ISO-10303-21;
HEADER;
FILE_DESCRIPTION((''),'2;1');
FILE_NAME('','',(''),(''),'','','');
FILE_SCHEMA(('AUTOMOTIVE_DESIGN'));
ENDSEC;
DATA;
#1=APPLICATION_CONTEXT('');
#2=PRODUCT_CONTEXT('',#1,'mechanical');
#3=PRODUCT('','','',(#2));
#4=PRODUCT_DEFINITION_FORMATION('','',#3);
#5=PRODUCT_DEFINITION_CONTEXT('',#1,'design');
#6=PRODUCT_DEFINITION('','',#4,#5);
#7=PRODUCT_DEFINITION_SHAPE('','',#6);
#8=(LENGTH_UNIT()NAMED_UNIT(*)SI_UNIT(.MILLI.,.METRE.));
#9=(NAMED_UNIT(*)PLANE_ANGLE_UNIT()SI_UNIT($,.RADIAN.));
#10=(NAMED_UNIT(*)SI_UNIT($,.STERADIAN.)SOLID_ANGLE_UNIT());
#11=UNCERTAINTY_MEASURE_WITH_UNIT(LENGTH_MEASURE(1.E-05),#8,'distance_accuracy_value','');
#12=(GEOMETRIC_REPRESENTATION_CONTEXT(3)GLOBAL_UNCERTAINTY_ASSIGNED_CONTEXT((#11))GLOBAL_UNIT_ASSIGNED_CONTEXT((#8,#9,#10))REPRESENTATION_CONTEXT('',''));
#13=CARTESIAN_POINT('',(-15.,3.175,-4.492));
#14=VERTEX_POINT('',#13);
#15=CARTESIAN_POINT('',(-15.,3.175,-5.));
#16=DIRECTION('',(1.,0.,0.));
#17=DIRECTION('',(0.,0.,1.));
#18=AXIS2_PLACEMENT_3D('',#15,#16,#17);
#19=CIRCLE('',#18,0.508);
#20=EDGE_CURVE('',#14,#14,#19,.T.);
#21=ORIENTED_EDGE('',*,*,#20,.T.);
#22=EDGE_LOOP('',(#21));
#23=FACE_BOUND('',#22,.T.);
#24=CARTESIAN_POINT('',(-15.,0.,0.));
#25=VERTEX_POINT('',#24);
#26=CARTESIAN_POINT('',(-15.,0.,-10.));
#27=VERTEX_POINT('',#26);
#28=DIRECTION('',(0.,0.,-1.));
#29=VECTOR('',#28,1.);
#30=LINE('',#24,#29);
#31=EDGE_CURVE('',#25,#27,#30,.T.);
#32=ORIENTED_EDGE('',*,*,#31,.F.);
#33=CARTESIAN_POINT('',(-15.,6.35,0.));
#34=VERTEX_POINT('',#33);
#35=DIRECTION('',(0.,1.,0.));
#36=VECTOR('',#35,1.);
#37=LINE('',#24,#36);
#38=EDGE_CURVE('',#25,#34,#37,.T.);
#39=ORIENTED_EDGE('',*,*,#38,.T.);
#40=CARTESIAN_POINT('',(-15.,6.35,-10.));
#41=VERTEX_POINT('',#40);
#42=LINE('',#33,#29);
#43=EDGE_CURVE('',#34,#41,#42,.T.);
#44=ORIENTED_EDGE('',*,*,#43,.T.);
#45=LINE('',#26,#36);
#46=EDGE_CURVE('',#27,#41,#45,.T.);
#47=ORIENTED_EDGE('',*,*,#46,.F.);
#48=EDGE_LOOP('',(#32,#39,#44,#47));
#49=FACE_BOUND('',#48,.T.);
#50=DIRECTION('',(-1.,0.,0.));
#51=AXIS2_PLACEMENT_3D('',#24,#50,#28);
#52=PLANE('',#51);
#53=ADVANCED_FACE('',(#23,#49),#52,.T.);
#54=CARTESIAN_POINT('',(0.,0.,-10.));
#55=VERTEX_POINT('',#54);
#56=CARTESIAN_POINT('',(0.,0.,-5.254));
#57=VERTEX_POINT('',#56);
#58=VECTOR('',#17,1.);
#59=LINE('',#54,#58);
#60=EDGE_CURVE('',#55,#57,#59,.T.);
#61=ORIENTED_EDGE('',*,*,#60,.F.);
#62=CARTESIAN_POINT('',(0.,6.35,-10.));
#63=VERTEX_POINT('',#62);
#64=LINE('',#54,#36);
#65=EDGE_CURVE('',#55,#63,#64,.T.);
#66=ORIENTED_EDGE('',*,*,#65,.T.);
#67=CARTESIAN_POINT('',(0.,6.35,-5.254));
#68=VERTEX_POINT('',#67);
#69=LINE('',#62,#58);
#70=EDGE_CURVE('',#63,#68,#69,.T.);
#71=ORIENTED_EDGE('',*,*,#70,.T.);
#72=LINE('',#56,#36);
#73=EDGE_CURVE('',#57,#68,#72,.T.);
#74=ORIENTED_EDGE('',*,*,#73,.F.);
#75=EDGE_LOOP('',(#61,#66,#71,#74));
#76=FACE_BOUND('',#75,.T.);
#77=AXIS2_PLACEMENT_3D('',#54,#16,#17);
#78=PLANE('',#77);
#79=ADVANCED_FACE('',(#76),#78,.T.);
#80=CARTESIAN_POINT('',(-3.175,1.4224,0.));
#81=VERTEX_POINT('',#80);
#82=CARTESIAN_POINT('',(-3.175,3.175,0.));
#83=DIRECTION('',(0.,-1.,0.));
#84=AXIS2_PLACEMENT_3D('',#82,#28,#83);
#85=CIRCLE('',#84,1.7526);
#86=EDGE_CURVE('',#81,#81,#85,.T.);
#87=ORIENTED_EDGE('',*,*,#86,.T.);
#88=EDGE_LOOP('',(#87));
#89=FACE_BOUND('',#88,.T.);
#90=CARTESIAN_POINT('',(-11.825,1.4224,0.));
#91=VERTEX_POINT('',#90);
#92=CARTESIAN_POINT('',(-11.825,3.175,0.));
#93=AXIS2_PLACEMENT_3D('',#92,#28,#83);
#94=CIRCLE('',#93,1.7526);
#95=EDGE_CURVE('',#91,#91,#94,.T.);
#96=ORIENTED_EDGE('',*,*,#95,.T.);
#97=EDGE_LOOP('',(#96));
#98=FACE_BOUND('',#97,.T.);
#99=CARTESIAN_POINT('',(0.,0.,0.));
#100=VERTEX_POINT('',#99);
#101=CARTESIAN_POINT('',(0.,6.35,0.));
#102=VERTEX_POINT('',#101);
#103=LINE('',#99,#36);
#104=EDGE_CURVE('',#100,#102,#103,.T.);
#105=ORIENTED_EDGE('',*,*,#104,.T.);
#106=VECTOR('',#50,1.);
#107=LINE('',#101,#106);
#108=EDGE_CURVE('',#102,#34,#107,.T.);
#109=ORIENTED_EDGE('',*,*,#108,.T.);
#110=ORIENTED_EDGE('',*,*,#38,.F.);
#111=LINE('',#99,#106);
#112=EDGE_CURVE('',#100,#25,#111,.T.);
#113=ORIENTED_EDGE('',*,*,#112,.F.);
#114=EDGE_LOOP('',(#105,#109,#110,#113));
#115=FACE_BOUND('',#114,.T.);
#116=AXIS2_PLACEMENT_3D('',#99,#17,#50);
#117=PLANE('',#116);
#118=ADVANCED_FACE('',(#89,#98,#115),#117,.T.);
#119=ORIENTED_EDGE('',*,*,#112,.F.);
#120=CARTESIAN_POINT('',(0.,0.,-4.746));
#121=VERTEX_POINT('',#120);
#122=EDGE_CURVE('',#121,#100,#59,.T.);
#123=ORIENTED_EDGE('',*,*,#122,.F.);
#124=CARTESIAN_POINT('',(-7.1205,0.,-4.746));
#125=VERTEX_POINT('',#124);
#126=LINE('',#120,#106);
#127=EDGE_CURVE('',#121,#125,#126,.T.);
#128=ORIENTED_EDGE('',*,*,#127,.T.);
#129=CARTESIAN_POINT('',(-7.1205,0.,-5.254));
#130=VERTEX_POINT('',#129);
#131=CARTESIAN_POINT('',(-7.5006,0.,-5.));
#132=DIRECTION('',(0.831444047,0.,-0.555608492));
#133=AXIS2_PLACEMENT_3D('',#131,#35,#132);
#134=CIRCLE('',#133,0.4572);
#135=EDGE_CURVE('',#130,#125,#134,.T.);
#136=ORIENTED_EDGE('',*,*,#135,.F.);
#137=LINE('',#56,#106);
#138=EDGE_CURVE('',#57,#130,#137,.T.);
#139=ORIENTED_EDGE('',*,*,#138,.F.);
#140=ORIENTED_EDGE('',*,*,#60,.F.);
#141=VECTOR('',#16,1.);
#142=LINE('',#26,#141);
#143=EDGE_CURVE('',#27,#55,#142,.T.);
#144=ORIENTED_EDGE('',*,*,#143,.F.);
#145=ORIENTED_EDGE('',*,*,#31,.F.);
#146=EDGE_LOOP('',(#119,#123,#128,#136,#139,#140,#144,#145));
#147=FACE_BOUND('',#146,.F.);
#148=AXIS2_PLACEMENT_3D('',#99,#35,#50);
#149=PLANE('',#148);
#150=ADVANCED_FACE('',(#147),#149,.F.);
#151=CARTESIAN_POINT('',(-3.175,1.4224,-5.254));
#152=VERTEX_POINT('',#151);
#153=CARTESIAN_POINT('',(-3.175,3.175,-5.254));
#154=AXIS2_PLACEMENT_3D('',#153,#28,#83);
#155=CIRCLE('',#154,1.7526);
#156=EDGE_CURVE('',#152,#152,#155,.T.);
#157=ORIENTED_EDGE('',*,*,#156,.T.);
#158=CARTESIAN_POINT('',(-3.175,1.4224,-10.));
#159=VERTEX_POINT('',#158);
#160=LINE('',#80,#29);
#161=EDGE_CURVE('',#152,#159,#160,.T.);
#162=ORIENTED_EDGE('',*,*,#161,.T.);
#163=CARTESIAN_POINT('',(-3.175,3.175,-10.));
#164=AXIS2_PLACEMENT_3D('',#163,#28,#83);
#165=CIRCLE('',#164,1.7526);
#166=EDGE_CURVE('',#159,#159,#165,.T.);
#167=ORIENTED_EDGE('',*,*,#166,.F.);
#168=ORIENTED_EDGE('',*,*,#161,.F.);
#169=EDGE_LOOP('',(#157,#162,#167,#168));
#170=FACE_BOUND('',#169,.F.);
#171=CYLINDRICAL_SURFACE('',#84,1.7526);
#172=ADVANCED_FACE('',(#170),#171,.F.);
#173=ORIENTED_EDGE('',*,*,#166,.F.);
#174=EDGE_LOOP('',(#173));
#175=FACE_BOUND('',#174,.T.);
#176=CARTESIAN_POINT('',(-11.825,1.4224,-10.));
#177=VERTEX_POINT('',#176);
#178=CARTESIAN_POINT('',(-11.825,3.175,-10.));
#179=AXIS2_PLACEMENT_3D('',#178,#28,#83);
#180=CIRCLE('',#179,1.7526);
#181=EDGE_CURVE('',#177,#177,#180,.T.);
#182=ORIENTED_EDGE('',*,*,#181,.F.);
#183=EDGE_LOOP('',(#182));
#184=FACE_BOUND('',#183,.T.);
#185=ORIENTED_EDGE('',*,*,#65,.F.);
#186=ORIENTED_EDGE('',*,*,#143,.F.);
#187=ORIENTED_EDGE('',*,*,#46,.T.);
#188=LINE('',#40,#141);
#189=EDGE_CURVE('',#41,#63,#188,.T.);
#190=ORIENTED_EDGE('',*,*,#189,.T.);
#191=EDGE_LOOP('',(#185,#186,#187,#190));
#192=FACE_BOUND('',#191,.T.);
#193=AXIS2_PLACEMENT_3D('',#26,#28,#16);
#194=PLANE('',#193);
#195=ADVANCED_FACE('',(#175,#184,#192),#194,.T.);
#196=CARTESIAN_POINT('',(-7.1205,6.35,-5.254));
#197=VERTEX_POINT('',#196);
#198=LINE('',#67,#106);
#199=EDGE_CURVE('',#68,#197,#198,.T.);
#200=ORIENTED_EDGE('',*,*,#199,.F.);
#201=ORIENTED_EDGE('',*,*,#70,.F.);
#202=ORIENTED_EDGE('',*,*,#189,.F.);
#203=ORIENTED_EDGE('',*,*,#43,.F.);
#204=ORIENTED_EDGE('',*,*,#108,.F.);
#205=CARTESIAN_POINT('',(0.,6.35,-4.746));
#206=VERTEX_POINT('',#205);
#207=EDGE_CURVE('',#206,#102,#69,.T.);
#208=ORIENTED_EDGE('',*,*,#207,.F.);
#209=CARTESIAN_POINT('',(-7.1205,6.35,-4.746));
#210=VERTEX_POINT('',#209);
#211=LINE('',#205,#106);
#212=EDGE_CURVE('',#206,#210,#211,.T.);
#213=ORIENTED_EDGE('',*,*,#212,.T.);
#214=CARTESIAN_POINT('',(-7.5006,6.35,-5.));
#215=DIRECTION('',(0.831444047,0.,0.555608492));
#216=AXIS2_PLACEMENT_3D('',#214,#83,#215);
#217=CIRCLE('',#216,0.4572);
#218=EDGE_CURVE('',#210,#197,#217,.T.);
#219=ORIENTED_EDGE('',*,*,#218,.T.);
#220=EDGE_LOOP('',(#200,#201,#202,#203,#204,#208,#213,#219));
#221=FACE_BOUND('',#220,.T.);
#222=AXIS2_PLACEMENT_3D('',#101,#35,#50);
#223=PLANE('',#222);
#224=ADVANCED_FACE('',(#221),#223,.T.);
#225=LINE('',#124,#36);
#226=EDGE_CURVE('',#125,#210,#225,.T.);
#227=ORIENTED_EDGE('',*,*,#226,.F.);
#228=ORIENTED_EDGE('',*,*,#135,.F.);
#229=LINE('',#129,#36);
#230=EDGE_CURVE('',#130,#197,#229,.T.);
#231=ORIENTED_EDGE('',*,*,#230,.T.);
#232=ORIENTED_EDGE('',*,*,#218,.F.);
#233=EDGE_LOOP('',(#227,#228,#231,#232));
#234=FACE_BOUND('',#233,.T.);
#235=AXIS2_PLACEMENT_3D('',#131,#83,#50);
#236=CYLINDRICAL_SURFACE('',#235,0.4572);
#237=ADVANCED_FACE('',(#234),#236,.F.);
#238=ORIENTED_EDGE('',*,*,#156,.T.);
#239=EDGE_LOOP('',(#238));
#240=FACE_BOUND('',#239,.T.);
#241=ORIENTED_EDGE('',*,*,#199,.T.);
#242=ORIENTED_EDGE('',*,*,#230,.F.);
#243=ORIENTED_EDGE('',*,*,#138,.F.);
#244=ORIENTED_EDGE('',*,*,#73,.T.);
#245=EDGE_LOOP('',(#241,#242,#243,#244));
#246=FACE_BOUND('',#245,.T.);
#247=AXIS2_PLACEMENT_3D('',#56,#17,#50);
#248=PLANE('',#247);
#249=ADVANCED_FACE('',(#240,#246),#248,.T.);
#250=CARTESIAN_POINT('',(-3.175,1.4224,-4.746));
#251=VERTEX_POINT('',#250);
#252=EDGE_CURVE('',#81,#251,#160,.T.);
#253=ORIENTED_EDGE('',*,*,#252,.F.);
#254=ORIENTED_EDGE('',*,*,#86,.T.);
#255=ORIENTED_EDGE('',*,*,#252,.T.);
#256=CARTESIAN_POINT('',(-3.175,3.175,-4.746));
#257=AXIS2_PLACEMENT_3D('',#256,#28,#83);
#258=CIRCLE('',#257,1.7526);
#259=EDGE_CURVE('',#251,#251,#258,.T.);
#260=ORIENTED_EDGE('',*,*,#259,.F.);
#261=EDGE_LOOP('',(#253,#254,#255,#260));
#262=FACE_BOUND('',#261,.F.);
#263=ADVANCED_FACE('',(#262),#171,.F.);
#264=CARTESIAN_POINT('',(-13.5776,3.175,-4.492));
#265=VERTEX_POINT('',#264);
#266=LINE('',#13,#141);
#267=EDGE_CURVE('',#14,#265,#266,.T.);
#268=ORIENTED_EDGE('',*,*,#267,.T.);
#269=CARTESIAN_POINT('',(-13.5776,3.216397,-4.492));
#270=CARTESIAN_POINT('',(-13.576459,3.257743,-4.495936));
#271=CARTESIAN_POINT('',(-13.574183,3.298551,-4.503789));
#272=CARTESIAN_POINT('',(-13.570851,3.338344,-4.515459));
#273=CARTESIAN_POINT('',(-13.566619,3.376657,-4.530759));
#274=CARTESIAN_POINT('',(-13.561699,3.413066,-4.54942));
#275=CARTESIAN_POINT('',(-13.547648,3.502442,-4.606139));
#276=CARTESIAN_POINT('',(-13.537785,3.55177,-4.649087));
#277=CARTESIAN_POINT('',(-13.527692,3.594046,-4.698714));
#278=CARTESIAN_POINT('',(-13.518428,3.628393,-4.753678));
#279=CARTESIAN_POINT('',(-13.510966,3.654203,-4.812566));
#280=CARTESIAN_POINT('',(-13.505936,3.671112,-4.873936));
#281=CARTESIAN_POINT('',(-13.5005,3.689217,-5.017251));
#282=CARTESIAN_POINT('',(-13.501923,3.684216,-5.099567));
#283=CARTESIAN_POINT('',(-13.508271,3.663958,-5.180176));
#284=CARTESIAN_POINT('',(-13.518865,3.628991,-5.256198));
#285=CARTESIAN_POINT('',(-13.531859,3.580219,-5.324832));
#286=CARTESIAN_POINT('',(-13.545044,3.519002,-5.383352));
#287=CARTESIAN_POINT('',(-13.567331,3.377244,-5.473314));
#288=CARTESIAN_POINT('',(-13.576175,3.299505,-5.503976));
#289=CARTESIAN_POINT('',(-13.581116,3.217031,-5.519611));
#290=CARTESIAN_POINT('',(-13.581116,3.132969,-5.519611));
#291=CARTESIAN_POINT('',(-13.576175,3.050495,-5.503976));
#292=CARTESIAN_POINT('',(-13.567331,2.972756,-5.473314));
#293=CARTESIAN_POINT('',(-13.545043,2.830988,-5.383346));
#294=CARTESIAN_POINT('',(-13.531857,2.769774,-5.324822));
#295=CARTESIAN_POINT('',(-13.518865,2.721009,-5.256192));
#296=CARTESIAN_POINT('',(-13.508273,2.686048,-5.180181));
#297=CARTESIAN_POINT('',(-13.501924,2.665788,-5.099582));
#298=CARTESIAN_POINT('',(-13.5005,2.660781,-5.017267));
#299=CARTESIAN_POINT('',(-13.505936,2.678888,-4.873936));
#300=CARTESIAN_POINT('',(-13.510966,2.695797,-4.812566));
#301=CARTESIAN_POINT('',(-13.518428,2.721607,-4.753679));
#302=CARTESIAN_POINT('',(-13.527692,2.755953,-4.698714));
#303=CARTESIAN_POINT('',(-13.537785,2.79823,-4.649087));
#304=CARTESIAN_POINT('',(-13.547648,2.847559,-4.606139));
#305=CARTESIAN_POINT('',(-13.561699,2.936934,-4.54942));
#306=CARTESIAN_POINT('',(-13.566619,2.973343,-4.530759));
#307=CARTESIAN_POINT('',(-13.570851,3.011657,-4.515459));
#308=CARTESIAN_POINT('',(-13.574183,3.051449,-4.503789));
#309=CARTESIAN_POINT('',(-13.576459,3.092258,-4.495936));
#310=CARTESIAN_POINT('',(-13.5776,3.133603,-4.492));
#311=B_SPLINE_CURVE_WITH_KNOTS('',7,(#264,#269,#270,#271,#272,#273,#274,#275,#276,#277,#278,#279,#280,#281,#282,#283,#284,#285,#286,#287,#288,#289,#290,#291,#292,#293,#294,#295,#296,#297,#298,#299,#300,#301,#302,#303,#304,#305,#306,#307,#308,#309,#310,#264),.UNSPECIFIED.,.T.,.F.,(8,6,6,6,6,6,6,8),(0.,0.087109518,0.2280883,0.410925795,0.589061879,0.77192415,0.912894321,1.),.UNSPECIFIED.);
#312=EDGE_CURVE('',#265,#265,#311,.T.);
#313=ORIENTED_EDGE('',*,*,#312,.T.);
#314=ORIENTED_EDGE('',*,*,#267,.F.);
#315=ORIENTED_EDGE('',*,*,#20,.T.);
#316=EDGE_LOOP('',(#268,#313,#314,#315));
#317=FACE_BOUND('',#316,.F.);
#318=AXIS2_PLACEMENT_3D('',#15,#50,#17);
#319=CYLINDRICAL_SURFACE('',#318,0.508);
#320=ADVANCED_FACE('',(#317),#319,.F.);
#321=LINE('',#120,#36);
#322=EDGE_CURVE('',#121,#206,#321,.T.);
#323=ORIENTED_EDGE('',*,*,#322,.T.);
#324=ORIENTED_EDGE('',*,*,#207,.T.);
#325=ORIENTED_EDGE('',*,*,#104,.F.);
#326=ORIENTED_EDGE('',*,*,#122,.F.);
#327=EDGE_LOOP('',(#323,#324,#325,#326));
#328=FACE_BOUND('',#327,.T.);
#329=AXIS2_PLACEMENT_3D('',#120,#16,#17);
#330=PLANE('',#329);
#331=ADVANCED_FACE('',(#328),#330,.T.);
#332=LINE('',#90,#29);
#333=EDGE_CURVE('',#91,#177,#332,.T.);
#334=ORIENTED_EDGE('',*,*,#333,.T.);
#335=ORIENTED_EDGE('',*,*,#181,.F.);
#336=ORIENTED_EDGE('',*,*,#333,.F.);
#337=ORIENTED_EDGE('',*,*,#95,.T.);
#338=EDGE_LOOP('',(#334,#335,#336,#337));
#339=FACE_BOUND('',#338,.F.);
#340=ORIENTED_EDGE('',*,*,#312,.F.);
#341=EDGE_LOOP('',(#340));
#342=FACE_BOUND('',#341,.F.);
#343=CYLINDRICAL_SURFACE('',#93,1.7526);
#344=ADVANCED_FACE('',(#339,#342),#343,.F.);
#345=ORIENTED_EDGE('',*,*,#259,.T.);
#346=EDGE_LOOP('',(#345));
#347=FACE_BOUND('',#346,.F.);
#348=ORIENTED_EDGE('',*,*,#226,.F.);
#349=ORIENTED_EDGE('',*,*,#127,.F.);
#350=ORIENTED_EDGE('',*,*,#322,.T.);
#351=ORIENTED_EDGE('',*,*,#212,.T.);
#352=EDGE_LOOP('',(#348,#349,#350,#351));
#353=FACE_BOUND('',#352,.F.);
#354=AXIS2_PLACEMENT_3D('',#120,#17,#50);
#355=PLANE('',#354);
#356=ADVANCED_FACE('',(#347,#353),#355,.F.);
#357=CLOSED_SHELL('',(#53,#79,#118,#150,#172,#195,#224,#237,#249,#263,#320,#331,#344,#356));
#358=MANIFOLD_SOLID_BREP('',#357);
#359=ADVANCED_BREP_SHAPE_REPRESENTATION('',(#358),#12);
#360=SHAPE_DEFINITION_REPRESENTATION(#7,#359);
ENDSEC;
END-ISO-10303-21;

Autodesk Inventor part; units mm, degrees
ref_plane "YZ Plane" through (0, 0, 0) normal (1, 0, 0) x (0, 1, 0)
ref_plane "XZ Plane" through (0, 0, 0) normal (0, 1, 0) x (-1, 0, 0)
ref_plane "XY Plane" through (0, 0, 0) normal (0, 0, 1) x (1, 0, 0)
sketch "Sketch1" plane through (0, 0, 0) normal (0, 1, 0) x (-1, 0, 0)
  line L0 (0, 0) -> (15, 0)
  line L1 (15, 0) -> (15, -10)
  line L2 (15, -10) -> (0, -10)
  line L3 (0, -10) -> (0, 0)
  line L4 (0, -5) -> (7.5006, -5)
  circle A0 centre (7.5006, -5) radius 0.4572
  line L5 (0, -5.254) -> (7.1205, -5.254)
  line L6 (0, -4.746) -> (7.1205, -4.746)
  dimension "d0" = 15
  dimension "d1" = 10
  dimension "d2" = 7.5006
  dimension "d3" = 0.9144
  dimension "d4" = 0.254
  dimension "d5" = 0.254
extrude "Extrusion1" add sketch "Sketch1" along normal blind 6.35 contours L0 L1 L2 L3 L5 A0 L6
sketch "Sketch2" plane through (-15, 0, 0) normal (0, 0, 1) x (1, 0, 0)
  line L0 (7.8795, 0) -> (15, 0) projected
  line L1 (15, 0) -> (8.65, 6.35)
  line L2 (15, 6.35) -> (7.8795, 6.35) projected
  line L3 (15, 0) -> (23.9803, 0) construction
  circle A0 centre (11.825, 3.175) radius 1.7526
  line L4 (15, 0) -> (0, 0) projected
  line L5 (0, 0) -> (6.35, 6.35)
  line L6 (7.0422, 6.35) -> (7.8795, 6.35) projected
  line L7 (0, 0) -> (8.9803, 0) construction
  circle A1 centre (3.175, 3.175) radius 1.7526
  dimension "d8" = 135
  dimension "d9" = 3.5052
  dimension "d10" = 45
  dimension "d11" = 3.5052
hole "Hole1" at (-11.825, 3.175, 0) direction (0, 0, -1) diameter 3.5052 end through all
hole "Hole2" at (-3.175, 3.175, 0) direction (0, 0, -1) diameter 3.5052 end through all
thread "Thread1" size "6-32 UNC" class "2B" standard "ANSI Unified Screw Threads" full length
thread "Thread2" size "6-32 UNC" class "2B" standard "ANSI Unified Screw Threads" full length
sketch "Sketch3" plane through (-15, 0, -10) normal (-1, 0, 0) x (0, 0, 1)
  line L0 (0, 6.35) -> (10, 6.35) projected
  line L1 (0, 6.35) -> (10, 0)
  circle A0 centre (5, 3.175) radius 0.508
  dimension "d30" = 1.016
extrude "Extrusion2" cut sketch "Sketch3" against normal blind 3.5001
properties part number "clamp(6-32)"
